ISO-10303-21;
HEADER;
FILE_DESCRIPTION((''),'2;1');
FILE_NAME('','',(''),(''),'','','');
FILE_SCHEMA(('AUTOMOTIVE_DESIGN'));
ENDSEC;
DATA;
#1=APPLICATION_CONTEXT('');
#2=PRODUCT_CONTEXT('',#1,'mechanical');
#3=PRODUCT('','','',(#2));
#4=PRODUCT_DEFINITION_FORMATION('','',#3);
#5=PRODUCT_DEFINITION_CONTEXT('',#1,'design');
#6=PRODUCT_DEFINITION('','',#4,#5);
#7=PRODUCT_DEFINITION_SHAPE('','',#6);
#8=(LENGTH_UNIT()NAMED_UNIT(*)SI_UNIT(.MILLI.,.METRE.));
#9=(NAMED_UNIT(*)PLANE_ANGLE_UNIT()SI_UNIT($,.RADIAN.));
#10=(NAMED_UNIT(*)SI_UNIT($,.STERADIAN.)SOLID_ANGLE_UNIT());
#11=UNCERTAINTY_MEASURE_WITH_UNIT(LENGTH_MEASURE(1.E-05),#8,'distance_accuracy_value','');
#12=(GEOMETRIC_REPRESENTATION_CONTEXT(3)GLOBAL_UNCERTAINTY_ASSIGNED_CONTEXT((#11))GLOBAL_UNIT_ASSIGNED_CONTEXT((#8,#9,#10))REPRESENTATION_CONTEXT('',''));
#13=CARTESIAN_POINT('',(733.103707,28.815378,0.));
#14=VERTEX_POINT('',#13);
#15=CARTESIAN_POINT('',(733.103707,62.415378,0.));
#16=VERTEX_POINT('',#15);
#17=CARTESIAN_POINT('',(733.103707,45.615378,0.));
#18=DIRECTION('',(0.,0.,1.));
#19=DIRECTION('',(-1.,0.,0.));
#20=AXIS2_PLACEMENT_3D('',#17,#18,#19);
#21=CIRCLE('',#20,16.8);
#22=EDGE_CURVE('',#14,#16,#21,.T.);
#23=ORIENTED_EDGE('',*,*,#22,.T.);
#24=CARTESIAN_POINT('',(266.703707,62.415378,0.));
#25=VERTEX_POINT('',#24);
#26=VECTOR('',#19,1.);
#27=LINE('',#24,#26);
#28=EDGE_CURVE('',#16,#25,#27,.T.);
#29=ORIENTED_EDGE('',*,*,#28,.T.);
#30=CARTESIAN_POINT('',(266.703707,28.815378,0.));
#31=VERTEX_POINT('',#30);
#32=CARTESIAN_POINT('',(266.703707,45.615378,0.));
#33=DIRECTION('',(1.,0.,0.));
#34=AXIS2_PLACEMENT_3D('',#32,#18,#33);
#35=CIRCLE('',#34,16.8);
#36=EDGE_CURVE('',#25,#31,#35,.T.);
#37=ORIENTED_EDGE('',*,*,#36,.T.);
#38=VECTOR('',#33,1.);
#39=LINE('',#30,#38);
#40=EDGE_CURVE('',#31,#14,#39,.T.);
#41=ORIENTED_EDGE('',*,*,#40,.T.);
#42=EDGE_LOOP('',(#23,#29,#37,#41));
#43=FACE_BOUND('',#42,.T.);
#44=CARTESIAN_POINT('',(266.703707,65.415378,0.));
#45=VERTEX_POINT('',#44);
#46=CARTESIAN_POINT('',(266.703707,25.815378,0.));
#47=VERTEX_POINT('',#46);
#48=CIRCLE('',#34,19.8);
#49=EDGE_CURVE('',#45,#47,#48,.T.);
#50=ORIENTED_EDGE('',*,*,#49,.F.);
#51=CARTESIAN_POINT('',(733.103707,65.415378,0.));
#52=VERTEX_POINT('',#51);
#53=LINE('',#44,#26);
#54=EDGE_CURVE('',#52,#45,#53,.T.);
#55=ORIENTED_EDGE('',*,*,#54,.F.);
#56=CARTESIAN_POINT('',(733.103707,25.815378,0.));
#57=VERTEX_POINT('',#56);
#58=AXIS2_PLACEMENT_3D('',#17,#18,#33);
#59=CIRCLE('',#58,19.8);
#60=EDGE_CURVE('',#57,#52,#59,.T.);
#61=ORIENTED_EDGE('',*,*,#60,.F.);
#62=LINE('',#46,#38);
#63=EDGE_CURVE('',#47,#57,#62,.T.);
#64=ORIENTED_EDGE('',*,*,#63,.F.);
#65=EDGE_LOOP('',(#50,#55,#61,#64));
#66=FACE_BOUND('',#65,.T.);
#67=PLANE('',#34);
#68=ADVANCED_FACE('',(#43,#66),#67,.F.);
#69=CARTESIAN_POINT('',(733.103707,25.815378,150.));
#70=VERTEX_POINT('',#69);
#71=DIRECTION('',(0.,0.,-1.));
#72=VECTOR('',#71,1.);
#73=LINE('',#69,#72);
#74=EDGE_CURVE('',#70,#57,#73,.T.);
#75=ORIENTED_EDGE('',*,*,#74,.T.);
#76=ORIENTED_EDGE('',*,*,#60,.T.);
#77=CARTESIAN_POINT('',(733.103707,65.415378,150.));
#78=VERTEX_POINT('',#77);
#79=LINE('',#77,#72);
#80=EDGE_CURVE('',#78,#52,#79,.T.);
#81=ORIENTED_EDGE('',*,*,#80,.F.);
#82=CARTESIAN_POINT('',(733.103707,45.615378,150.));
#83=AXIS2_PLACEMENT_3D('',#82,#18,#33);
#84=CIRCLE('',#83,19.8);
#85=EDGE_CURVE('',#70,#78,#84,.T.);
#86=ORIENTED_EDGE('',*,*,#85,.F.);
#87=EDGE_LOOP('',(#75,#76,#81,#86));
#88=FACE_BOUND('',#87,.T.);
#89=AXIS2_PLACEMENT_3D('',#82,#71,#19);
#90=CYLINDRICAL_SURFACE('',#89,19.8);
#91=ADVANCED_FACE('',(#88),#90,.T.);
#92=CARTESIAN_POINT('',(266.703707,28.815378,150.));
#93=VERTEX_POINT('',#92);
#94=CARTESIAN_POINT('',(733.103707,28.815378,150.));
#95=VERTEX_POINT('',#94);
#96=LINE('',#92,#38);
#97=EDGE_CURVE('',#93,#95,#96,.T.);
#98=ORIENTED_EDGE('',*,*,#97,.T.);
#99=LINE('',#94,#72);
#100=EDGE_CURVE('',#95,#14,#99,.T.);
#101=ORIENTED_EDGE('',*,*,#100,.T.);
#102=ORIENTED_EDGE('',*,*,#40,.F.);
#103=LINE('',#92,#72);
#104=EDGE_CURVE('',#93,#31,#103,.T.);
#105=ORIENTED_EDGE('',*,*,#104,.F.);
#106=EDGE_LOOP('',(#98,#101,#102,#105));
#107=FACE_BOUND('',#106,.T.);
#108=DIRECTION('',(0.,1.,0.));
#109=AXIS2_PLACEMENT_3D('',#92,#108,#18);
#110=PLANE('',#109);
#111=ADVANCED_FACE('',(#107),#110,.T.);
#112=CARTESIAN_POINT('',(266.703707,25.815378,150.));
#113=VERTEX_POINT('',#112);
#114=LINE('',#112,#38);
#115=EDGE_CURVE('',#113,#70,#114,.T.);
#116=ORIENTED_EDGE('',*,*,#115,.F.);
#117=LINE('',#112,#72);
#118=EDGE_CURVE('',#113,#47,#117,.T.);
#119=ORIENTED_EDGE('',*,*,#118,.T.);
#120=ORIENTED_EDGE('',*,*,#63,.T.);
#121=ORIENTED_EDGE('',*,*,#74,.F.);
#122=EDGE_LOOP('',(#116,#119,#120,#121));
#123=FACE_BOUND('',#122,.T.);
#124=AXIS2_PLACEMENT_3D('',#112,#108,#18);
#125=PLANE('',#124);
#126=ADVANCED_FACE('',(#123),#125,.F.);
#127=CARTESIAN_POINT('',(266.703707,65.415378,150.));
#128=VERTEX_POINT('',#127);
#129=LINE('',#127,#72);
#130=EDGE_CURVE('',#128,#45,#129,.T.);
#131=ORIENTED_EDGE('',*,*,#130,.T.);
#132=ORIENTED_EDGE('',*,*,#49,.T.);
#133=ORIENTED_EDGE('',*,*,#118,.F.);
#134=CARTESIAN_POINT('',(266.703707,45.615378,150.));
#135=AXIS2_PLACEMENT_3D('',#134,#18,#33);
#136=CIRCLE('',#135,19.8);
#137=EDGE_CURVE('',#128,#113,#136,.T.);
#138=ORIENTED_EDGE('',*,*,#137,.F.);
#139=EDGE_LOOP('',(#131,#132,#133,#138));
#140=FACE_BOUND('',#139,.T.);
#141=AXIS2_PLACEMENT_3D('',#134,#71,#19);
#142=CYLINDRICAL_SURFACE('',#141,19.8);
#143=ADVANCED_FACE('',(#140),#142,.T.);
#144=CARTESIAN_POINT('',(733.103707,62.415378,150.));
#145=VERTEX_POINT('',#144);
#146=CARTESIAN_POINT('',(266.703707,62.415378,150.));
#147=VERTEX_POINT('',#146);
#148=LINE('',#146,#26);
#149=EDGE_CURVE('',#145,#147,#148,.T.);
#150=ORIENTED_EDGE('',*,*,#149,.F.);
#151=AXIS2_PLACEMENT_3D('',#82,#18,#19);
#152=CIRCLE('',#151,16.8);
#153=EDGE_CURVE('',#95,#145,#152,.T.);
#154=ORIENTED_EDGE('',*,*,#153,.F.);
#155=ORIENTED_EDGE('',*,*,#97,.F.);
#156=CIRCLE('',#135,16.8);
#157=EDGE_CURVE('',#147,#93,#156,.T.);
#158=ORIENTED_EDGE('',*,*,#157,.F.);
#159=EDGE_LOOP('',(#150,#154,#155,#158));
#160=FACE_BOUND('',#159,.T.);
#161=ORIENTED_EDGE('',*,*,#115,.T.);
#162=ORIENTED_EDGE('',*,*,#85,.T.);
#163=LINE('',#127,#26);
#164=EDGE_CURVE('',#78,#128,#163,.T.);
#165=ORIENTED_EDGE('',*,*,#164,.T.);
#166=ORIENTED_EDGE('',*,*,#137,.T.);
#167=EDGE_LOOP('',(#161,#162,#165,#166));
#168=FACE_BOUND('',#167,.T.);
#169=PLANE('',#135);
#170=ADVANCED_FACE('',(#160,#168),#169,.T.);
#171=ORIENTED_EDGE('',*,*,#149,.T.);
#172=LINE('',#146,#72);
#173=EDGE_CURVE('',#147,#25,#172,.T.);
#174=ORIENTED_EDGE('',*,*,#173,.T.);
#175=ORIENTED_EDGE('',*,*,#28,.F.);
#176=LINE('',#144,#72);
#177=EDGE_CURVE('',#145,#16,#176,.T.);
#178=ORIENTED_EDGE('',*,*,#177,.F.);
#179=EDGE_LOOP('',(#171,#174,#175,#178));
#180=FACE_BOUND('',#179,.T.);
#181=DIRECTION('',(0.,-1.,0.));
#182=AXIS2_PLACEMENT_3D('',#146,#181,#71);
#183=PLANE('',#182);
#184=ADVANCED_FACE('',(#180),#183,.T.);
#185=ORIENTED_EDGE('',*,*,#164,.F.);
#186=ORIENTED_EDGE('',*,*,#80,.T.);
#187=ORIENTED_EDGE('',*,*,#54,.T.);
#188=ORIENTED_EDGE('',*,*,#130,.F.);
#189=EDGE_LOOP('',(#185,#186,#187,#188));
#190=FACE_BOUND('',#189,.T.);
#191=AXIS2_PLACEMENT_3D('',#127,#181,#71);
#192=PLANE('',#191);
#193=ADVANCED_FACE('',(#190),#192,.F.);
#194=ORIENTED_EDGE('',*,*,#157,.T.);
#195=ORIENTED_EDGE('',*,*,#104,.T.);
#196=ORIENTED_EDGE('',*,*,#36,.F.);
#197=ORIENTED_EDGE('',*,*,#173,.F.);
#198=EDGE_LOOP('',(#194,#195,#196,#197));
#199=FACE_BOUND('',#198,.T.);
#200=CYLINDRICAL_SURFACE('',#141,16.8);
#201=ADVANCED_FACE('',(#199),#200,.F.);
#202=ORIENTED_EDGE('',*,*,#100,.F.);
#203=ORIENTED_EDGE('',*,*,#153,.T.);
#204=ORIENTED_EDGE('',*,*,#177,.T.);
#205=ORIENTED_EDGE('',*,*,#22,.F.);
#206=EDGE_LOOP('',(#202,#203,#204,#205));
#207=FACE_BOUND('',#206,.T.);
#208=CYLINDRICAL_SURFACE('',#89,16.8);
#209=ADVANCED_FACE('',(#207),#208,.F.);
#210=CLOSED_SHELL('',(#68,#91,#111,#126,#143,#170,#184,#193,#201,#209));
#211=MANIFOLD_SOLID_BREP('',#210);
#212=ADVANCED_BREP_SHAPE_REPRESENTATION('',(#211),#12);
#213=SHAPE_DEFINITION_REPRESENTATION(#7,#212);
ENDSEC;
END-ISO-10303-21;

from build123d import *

# Parameters (mm, degrees)
EXTRUDE_THIN1_DEPTH = 150


with BuildPart() as part:
    # Sketch8 → Extrude-Thin1 (new body)
    with BuildSketch(Plane.XY):
        with BuildLine():
            Line((733.103706938, 25.81537776), (266.703706938, 25.81537776))
            ThreePointArc((266.703706938, 25.81537776), (246.903706938, 45.61537776), (266.703706938, 65.41537776))
            Line((266.703706938, 65.41537776), (733.103706938, 65.41537776))
            ThreePointArc((733.103706938, 65.41537776), (752.903706938, 45.61537776), (733.103706938, 25.81537776))
        make_face()
        with BuildLine():
            Line((733.103706938, 28.81537776), (266.703706938, 28.81537776))
            ThreePointArc((266.703706938, 28.81537776), (249.903706938, 45.61537776), (266.703706938, 62.41537776))
            Line((266.703706938, 62.41537776), (733.103706938, 62.41537776))
            ThreePointArc((733.103706938, 62.41537776), (749.903706938, 45.61537776), (733.103706938, 28.81537776))
        make_face(mode=Mode.SUBTRACT)
    extrude(amount=EXTRUDE_THIN1_DEPTH)


solid = part.part
